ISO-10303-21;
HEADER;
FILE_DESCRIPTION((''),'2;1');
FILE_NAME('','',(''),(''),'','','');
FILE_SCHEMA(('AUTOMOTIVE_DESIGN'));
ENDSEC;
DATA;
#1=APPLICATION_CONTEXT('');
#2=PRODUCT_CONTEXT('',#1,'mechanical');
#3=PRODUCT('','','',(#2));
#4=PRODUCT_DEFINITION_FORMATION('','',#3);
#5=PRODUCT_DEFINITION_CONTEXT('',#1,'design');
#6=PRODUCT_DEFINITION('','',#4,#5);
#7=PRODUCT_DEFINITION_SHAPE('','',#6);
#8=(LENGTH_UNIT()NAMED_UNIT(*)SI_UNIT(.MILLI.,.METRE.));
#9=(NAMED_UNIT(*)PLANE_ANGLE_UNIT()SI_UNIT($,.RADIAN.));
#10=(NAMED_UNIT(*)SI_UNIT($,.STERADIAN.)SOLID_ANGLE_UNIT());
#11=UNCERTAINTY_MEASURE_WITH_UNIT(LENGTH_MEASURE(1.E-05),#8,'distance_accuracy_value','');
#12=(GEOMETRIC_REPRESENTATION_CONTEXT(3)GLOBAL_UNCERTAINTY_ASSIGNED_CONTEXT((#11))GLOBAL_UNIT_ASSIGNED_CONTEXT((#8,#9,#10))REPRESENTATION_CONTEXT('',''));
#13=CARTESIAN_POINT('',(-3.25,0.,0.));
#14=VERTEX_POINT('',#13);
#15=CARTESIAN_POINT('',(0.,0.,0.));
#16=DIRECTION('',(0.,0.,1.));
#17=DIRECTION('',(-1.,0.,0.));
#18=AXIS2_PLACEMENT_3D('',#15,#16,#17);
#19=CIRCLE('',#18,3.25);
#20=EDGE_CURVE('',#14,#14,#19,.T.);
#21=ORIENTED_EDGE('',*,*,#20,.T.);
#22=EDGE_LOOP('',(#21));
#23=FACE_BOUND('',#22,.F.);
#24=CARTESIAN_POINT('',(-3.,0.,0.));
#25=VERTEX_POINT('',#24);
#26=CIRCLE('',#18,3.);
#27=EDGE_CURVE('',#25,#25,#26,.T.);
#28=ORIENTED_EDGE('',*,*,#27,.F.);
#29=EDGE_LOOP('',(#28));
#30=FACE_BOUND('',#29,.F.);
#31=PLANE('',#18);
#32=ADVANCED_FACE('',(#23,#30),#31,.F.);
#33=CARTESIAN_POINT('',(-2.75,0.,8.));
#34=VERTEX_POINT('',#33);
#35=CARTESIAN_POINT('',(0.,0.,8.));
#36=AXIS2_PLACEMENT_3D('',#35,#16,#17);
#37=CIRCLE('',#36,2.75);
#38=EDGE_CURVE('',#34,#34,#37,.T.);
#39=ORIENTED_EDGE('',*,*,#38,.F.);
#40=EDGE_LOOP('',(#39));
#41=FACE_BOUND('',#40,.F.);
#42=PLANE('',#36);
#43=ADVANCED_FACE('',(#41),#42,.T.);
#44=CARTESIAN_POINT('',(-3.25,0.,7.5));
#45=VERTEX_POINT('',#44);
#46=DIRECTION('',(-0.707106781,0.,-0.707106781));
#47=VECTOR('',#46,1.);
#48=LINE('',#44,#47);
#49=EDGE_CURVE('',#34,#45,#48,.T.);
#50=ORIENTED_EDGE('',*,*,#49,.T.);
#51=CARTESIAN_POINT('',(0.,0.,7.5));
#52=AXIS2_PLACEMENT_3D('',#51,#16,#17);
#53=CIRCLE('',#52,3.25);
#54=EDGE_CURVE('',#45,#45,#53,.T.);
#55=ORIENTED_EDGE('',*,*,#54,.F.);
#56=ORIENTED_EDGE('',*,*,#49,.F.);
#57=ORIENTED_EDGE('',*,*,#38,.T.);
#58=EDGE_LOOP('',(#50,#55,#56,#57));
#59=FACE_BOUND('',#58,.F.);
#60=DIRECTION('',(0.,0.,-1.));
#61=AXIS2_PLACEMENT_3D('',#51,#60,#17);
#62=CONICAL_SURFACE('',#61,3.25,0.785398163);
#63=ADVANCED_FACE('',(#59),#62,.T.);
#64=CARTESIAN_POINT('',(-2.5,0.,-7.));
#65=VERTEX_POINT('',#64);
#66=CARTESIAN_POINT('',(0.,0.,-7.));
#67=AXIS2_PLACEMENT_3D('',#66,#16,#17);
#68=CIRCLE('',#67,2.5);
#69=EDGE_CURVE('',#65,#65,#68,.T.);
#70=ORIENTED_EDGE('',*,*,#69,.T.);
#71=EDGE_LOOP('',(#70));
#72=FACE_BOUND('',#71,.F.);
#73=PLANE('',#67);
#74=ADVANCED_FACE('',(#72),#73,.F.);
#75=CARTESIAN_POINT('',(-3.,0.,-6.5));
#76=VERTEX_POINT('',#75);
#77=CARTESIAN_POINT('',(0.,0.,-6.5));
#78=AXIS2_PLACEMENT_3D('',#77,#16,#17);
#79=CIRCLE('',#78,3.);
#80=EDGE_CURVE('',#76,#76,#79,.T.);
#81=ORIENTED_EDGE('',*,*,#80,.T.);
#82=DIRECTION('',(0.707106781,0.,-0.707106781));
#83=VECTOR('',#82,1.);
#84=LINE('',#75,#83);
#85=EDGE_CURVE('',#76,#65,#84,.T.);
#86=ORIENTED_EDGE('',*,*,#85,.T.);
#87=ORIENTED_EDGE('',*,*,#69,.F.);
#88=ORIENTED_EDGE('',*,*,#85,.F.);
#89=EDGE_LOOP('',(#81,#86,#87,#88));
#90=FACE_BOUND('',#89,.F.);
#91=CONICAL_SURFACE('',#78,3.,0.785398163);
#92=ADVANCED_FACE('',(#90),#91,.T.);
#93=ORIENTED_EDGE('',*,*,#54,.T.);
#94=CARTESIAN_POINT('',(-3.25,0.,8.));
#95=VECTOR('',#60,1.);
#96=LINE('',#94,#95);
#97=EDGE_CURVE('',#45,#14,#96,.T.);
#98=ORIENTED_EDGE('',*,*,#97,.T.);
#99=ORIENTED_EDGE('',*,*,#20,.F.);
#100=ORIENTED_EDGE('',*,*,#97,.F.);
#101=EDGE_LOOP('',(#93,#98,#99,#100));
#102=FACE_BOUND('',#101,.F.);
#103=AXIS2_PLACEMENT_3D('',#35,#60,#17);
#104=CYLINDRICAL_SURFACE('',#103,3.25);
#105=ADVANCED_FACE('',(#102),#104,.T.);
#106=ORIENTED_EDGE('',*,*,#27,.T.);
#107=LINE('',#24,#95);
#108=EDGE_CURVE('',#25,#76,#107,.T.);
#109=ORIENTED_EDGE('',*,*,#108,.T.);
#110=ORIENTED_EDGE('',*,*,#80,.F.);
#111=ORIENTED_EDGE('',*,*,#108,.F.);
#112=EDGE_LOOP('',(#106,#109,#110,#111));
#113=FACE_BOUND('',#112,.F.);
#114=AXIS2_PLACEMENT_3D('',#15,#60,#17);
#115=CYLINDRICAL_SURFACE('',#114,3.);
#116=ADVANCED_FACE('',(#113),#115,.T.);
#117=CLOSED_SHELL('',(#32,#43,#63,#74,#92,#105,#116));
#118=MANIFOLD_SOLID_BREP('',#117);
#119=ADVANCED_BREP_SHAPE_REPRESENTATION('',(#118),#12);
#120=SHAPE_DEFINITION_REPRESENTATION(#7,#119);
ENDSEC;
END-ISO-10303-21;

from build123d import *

# Parameters (mm, degrees)
F2_SIZE = 0.5
F3_SIZE = 0.5


with BuildPart() as f1:
    # F0 (on Front) → F1 (revolve)
    with BuildSketch(Plane.XZ):
        Polygon((0, -7), (0, 0), (0, 8), (-3.25, 8), (-3.25, 0), (-3, 0), (-3, -7), align=None)
    revolve(axis=Axis((0, 0, 4), (0, 0, 1)))

    # F2
    f2_edges = [f1.edges().sort_by_distance(p)[0] for p in [
        (3.25, 0, 8),
    ]]
    chamfer(f2_edges, length=F2_SIZE)

    # F3
    f3_edges = [f1.edges().sort_by_distance(p)[0] for p in [
        (3, 0, -7),
    ]]
    chamfer(f3_edges, length=F3_SIZE)


solid = f1.part
